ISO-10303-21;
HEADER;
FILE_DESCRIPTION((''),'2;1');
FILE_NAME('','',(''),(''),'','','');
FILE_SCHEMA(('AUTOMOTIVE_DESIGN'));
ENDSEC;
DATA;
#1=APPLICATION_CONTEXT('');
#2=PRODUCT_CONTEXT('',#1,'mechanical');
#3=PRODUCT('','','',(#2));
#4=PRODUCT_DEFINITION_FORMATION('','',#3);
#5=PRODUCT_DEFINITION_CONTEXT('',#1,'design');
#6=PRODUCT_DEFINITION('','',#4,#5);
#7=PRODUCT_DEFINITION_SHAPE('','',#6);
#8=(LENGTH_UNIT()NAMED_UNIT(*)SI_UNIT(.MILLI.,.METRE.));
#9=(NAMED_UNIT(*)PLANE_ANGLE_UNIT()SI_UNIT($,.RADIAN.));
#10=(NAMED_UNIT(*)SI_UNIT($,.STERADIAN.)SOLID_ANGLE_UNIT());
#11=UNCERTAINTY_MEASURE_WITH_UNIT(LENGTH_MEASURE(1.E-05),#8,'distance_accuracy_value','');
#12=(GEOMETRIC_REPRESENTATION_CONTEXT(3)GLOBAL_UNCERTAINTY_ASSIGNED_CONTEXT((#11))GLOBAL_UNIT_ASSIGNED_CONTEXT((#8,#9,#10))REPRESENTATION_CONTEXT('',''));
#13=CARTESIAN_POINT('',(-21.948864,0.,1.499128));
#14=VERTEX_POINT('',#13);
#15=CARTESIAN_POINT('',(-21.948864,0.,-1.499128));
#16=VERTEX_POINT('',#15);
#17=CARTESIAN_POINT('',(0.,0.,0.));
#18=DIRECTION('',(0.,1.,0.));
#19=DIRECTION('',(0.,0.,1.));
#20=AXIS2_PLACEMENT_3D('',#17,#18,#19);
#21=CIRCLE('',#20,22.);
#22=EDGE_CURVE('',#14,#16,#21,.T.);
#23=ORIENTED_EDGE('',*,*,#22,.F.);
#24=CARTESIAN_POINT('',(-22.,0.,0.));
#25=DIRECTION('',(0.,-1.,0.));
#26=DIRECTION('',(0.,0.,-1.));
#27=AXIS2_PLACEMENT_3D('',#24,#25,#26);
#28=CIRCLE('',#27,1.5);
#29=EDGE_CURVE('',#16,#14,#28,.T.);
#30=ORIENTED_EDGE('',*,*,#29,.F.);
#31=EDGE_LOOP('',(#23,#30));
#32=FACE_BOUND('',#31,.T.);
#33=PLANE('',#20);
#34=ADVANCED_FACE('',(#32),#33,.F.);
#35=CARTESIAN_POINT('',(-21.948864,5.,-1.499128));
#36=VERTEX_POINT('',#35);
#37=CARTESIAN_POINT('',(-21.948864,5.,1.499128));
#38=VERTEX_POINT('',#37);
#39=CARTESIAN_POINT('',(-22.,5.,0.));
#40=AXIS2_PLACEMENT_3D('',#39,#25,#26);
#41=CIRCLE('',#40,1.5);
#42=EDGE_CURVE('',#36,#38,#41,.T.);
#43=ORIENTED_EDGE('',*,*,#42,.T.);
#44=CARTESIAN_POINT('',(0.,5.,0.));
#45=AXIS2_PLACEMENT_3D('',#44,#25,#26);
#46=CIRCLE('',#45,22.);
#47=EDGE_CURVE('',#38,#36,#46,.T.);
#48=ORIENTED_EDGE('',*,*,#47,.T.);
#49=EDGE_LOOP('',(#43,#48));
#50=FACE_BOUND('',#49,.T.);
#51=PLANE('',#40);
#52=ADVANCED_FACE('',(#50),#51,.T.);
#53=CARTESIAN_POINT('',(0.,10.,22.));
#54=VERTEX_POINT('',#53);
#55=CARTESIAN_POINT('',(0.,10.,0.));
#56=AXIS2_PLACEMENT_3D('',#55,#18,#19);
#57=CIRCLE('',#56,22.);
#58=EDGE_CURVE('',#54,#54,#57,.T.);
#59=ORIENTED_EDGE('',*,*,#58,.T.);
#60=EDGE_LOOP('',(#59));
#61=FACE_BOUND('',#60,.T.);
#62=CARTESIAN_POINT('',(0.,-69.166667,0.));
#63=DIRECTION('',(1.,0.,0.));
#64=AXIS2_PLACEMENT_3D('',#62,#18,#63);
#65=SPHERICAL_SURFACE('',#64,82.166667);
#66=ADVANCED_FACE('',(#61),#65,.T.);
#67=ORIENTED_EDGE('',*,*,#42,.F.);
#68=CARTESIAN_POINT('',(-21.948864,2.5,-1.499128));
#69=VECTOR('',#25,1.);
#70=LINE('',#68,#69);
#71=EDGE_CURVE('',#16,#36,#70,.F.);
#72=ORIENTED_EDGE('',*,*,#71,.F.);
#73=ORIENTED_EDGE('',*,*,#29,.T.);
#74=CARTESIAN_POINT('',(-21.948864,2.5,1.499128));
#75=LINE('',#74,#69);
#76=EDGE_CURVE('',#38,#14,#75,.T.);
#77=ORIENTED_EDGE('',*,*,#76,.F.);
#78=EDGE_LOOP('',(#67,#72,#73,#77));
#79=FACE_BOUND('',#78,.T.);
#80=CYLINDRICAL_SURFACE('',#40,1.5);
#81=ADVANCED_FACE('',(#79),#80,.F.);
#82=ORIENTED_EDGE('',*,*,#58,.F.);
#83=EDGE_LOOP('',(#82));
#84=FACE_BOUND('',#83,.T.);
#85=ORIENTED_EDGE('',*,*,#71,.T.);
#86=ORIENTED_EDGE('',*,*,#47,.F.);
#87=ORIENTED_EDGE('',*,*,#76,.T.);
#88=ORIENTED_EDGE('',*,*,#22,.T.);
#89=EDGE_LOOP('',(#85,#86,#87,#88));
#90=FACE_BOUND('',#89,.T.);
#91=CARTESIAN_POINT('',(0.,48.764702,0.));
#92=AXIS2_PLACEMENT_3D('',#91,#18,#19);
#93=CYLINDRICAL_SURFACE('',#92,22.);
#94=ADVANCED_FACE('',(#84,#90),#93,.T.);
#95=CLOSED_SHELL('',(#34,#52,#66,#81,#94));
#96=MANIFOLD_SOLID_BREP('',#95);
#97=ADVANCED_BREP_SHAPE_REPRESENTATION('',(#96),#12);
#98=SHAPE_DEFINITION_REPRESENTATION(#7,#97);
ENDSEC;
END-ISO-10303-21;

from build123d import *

# Parameters (mm, degrees)
SKETCH2_R          = 1.5
CUT_EXTRUDE1_DEPTH = 5


with BuildPart() as part:
    # Sketch1 → Revolve1 (revolve)
    with BuildSketch(Plane.XY):
        with BuildLine():
            Line((0, 13), (0, 0))
            Line((0, 0), (22, 0))
            Line((22, 0), (22, 10))
            ThreePointArc((22, 10), (11.101801656, 12.246545474), (0, 13))
        make_face()
    revolve(axis=Axis((0, 48.764702031, 0), (0, -1, 0)))

    # Sketch2 → Cut-Extrude1 (cut)
    with BuildSketch(Plane.XZ):
        with Locations((-22, 0)):
            Circle(SKETCH2_R)
    extrude(amount=-CUT_EXTRUDE1_DEPTH, mode=Mode.SUBTRACT)


solid = part.part
